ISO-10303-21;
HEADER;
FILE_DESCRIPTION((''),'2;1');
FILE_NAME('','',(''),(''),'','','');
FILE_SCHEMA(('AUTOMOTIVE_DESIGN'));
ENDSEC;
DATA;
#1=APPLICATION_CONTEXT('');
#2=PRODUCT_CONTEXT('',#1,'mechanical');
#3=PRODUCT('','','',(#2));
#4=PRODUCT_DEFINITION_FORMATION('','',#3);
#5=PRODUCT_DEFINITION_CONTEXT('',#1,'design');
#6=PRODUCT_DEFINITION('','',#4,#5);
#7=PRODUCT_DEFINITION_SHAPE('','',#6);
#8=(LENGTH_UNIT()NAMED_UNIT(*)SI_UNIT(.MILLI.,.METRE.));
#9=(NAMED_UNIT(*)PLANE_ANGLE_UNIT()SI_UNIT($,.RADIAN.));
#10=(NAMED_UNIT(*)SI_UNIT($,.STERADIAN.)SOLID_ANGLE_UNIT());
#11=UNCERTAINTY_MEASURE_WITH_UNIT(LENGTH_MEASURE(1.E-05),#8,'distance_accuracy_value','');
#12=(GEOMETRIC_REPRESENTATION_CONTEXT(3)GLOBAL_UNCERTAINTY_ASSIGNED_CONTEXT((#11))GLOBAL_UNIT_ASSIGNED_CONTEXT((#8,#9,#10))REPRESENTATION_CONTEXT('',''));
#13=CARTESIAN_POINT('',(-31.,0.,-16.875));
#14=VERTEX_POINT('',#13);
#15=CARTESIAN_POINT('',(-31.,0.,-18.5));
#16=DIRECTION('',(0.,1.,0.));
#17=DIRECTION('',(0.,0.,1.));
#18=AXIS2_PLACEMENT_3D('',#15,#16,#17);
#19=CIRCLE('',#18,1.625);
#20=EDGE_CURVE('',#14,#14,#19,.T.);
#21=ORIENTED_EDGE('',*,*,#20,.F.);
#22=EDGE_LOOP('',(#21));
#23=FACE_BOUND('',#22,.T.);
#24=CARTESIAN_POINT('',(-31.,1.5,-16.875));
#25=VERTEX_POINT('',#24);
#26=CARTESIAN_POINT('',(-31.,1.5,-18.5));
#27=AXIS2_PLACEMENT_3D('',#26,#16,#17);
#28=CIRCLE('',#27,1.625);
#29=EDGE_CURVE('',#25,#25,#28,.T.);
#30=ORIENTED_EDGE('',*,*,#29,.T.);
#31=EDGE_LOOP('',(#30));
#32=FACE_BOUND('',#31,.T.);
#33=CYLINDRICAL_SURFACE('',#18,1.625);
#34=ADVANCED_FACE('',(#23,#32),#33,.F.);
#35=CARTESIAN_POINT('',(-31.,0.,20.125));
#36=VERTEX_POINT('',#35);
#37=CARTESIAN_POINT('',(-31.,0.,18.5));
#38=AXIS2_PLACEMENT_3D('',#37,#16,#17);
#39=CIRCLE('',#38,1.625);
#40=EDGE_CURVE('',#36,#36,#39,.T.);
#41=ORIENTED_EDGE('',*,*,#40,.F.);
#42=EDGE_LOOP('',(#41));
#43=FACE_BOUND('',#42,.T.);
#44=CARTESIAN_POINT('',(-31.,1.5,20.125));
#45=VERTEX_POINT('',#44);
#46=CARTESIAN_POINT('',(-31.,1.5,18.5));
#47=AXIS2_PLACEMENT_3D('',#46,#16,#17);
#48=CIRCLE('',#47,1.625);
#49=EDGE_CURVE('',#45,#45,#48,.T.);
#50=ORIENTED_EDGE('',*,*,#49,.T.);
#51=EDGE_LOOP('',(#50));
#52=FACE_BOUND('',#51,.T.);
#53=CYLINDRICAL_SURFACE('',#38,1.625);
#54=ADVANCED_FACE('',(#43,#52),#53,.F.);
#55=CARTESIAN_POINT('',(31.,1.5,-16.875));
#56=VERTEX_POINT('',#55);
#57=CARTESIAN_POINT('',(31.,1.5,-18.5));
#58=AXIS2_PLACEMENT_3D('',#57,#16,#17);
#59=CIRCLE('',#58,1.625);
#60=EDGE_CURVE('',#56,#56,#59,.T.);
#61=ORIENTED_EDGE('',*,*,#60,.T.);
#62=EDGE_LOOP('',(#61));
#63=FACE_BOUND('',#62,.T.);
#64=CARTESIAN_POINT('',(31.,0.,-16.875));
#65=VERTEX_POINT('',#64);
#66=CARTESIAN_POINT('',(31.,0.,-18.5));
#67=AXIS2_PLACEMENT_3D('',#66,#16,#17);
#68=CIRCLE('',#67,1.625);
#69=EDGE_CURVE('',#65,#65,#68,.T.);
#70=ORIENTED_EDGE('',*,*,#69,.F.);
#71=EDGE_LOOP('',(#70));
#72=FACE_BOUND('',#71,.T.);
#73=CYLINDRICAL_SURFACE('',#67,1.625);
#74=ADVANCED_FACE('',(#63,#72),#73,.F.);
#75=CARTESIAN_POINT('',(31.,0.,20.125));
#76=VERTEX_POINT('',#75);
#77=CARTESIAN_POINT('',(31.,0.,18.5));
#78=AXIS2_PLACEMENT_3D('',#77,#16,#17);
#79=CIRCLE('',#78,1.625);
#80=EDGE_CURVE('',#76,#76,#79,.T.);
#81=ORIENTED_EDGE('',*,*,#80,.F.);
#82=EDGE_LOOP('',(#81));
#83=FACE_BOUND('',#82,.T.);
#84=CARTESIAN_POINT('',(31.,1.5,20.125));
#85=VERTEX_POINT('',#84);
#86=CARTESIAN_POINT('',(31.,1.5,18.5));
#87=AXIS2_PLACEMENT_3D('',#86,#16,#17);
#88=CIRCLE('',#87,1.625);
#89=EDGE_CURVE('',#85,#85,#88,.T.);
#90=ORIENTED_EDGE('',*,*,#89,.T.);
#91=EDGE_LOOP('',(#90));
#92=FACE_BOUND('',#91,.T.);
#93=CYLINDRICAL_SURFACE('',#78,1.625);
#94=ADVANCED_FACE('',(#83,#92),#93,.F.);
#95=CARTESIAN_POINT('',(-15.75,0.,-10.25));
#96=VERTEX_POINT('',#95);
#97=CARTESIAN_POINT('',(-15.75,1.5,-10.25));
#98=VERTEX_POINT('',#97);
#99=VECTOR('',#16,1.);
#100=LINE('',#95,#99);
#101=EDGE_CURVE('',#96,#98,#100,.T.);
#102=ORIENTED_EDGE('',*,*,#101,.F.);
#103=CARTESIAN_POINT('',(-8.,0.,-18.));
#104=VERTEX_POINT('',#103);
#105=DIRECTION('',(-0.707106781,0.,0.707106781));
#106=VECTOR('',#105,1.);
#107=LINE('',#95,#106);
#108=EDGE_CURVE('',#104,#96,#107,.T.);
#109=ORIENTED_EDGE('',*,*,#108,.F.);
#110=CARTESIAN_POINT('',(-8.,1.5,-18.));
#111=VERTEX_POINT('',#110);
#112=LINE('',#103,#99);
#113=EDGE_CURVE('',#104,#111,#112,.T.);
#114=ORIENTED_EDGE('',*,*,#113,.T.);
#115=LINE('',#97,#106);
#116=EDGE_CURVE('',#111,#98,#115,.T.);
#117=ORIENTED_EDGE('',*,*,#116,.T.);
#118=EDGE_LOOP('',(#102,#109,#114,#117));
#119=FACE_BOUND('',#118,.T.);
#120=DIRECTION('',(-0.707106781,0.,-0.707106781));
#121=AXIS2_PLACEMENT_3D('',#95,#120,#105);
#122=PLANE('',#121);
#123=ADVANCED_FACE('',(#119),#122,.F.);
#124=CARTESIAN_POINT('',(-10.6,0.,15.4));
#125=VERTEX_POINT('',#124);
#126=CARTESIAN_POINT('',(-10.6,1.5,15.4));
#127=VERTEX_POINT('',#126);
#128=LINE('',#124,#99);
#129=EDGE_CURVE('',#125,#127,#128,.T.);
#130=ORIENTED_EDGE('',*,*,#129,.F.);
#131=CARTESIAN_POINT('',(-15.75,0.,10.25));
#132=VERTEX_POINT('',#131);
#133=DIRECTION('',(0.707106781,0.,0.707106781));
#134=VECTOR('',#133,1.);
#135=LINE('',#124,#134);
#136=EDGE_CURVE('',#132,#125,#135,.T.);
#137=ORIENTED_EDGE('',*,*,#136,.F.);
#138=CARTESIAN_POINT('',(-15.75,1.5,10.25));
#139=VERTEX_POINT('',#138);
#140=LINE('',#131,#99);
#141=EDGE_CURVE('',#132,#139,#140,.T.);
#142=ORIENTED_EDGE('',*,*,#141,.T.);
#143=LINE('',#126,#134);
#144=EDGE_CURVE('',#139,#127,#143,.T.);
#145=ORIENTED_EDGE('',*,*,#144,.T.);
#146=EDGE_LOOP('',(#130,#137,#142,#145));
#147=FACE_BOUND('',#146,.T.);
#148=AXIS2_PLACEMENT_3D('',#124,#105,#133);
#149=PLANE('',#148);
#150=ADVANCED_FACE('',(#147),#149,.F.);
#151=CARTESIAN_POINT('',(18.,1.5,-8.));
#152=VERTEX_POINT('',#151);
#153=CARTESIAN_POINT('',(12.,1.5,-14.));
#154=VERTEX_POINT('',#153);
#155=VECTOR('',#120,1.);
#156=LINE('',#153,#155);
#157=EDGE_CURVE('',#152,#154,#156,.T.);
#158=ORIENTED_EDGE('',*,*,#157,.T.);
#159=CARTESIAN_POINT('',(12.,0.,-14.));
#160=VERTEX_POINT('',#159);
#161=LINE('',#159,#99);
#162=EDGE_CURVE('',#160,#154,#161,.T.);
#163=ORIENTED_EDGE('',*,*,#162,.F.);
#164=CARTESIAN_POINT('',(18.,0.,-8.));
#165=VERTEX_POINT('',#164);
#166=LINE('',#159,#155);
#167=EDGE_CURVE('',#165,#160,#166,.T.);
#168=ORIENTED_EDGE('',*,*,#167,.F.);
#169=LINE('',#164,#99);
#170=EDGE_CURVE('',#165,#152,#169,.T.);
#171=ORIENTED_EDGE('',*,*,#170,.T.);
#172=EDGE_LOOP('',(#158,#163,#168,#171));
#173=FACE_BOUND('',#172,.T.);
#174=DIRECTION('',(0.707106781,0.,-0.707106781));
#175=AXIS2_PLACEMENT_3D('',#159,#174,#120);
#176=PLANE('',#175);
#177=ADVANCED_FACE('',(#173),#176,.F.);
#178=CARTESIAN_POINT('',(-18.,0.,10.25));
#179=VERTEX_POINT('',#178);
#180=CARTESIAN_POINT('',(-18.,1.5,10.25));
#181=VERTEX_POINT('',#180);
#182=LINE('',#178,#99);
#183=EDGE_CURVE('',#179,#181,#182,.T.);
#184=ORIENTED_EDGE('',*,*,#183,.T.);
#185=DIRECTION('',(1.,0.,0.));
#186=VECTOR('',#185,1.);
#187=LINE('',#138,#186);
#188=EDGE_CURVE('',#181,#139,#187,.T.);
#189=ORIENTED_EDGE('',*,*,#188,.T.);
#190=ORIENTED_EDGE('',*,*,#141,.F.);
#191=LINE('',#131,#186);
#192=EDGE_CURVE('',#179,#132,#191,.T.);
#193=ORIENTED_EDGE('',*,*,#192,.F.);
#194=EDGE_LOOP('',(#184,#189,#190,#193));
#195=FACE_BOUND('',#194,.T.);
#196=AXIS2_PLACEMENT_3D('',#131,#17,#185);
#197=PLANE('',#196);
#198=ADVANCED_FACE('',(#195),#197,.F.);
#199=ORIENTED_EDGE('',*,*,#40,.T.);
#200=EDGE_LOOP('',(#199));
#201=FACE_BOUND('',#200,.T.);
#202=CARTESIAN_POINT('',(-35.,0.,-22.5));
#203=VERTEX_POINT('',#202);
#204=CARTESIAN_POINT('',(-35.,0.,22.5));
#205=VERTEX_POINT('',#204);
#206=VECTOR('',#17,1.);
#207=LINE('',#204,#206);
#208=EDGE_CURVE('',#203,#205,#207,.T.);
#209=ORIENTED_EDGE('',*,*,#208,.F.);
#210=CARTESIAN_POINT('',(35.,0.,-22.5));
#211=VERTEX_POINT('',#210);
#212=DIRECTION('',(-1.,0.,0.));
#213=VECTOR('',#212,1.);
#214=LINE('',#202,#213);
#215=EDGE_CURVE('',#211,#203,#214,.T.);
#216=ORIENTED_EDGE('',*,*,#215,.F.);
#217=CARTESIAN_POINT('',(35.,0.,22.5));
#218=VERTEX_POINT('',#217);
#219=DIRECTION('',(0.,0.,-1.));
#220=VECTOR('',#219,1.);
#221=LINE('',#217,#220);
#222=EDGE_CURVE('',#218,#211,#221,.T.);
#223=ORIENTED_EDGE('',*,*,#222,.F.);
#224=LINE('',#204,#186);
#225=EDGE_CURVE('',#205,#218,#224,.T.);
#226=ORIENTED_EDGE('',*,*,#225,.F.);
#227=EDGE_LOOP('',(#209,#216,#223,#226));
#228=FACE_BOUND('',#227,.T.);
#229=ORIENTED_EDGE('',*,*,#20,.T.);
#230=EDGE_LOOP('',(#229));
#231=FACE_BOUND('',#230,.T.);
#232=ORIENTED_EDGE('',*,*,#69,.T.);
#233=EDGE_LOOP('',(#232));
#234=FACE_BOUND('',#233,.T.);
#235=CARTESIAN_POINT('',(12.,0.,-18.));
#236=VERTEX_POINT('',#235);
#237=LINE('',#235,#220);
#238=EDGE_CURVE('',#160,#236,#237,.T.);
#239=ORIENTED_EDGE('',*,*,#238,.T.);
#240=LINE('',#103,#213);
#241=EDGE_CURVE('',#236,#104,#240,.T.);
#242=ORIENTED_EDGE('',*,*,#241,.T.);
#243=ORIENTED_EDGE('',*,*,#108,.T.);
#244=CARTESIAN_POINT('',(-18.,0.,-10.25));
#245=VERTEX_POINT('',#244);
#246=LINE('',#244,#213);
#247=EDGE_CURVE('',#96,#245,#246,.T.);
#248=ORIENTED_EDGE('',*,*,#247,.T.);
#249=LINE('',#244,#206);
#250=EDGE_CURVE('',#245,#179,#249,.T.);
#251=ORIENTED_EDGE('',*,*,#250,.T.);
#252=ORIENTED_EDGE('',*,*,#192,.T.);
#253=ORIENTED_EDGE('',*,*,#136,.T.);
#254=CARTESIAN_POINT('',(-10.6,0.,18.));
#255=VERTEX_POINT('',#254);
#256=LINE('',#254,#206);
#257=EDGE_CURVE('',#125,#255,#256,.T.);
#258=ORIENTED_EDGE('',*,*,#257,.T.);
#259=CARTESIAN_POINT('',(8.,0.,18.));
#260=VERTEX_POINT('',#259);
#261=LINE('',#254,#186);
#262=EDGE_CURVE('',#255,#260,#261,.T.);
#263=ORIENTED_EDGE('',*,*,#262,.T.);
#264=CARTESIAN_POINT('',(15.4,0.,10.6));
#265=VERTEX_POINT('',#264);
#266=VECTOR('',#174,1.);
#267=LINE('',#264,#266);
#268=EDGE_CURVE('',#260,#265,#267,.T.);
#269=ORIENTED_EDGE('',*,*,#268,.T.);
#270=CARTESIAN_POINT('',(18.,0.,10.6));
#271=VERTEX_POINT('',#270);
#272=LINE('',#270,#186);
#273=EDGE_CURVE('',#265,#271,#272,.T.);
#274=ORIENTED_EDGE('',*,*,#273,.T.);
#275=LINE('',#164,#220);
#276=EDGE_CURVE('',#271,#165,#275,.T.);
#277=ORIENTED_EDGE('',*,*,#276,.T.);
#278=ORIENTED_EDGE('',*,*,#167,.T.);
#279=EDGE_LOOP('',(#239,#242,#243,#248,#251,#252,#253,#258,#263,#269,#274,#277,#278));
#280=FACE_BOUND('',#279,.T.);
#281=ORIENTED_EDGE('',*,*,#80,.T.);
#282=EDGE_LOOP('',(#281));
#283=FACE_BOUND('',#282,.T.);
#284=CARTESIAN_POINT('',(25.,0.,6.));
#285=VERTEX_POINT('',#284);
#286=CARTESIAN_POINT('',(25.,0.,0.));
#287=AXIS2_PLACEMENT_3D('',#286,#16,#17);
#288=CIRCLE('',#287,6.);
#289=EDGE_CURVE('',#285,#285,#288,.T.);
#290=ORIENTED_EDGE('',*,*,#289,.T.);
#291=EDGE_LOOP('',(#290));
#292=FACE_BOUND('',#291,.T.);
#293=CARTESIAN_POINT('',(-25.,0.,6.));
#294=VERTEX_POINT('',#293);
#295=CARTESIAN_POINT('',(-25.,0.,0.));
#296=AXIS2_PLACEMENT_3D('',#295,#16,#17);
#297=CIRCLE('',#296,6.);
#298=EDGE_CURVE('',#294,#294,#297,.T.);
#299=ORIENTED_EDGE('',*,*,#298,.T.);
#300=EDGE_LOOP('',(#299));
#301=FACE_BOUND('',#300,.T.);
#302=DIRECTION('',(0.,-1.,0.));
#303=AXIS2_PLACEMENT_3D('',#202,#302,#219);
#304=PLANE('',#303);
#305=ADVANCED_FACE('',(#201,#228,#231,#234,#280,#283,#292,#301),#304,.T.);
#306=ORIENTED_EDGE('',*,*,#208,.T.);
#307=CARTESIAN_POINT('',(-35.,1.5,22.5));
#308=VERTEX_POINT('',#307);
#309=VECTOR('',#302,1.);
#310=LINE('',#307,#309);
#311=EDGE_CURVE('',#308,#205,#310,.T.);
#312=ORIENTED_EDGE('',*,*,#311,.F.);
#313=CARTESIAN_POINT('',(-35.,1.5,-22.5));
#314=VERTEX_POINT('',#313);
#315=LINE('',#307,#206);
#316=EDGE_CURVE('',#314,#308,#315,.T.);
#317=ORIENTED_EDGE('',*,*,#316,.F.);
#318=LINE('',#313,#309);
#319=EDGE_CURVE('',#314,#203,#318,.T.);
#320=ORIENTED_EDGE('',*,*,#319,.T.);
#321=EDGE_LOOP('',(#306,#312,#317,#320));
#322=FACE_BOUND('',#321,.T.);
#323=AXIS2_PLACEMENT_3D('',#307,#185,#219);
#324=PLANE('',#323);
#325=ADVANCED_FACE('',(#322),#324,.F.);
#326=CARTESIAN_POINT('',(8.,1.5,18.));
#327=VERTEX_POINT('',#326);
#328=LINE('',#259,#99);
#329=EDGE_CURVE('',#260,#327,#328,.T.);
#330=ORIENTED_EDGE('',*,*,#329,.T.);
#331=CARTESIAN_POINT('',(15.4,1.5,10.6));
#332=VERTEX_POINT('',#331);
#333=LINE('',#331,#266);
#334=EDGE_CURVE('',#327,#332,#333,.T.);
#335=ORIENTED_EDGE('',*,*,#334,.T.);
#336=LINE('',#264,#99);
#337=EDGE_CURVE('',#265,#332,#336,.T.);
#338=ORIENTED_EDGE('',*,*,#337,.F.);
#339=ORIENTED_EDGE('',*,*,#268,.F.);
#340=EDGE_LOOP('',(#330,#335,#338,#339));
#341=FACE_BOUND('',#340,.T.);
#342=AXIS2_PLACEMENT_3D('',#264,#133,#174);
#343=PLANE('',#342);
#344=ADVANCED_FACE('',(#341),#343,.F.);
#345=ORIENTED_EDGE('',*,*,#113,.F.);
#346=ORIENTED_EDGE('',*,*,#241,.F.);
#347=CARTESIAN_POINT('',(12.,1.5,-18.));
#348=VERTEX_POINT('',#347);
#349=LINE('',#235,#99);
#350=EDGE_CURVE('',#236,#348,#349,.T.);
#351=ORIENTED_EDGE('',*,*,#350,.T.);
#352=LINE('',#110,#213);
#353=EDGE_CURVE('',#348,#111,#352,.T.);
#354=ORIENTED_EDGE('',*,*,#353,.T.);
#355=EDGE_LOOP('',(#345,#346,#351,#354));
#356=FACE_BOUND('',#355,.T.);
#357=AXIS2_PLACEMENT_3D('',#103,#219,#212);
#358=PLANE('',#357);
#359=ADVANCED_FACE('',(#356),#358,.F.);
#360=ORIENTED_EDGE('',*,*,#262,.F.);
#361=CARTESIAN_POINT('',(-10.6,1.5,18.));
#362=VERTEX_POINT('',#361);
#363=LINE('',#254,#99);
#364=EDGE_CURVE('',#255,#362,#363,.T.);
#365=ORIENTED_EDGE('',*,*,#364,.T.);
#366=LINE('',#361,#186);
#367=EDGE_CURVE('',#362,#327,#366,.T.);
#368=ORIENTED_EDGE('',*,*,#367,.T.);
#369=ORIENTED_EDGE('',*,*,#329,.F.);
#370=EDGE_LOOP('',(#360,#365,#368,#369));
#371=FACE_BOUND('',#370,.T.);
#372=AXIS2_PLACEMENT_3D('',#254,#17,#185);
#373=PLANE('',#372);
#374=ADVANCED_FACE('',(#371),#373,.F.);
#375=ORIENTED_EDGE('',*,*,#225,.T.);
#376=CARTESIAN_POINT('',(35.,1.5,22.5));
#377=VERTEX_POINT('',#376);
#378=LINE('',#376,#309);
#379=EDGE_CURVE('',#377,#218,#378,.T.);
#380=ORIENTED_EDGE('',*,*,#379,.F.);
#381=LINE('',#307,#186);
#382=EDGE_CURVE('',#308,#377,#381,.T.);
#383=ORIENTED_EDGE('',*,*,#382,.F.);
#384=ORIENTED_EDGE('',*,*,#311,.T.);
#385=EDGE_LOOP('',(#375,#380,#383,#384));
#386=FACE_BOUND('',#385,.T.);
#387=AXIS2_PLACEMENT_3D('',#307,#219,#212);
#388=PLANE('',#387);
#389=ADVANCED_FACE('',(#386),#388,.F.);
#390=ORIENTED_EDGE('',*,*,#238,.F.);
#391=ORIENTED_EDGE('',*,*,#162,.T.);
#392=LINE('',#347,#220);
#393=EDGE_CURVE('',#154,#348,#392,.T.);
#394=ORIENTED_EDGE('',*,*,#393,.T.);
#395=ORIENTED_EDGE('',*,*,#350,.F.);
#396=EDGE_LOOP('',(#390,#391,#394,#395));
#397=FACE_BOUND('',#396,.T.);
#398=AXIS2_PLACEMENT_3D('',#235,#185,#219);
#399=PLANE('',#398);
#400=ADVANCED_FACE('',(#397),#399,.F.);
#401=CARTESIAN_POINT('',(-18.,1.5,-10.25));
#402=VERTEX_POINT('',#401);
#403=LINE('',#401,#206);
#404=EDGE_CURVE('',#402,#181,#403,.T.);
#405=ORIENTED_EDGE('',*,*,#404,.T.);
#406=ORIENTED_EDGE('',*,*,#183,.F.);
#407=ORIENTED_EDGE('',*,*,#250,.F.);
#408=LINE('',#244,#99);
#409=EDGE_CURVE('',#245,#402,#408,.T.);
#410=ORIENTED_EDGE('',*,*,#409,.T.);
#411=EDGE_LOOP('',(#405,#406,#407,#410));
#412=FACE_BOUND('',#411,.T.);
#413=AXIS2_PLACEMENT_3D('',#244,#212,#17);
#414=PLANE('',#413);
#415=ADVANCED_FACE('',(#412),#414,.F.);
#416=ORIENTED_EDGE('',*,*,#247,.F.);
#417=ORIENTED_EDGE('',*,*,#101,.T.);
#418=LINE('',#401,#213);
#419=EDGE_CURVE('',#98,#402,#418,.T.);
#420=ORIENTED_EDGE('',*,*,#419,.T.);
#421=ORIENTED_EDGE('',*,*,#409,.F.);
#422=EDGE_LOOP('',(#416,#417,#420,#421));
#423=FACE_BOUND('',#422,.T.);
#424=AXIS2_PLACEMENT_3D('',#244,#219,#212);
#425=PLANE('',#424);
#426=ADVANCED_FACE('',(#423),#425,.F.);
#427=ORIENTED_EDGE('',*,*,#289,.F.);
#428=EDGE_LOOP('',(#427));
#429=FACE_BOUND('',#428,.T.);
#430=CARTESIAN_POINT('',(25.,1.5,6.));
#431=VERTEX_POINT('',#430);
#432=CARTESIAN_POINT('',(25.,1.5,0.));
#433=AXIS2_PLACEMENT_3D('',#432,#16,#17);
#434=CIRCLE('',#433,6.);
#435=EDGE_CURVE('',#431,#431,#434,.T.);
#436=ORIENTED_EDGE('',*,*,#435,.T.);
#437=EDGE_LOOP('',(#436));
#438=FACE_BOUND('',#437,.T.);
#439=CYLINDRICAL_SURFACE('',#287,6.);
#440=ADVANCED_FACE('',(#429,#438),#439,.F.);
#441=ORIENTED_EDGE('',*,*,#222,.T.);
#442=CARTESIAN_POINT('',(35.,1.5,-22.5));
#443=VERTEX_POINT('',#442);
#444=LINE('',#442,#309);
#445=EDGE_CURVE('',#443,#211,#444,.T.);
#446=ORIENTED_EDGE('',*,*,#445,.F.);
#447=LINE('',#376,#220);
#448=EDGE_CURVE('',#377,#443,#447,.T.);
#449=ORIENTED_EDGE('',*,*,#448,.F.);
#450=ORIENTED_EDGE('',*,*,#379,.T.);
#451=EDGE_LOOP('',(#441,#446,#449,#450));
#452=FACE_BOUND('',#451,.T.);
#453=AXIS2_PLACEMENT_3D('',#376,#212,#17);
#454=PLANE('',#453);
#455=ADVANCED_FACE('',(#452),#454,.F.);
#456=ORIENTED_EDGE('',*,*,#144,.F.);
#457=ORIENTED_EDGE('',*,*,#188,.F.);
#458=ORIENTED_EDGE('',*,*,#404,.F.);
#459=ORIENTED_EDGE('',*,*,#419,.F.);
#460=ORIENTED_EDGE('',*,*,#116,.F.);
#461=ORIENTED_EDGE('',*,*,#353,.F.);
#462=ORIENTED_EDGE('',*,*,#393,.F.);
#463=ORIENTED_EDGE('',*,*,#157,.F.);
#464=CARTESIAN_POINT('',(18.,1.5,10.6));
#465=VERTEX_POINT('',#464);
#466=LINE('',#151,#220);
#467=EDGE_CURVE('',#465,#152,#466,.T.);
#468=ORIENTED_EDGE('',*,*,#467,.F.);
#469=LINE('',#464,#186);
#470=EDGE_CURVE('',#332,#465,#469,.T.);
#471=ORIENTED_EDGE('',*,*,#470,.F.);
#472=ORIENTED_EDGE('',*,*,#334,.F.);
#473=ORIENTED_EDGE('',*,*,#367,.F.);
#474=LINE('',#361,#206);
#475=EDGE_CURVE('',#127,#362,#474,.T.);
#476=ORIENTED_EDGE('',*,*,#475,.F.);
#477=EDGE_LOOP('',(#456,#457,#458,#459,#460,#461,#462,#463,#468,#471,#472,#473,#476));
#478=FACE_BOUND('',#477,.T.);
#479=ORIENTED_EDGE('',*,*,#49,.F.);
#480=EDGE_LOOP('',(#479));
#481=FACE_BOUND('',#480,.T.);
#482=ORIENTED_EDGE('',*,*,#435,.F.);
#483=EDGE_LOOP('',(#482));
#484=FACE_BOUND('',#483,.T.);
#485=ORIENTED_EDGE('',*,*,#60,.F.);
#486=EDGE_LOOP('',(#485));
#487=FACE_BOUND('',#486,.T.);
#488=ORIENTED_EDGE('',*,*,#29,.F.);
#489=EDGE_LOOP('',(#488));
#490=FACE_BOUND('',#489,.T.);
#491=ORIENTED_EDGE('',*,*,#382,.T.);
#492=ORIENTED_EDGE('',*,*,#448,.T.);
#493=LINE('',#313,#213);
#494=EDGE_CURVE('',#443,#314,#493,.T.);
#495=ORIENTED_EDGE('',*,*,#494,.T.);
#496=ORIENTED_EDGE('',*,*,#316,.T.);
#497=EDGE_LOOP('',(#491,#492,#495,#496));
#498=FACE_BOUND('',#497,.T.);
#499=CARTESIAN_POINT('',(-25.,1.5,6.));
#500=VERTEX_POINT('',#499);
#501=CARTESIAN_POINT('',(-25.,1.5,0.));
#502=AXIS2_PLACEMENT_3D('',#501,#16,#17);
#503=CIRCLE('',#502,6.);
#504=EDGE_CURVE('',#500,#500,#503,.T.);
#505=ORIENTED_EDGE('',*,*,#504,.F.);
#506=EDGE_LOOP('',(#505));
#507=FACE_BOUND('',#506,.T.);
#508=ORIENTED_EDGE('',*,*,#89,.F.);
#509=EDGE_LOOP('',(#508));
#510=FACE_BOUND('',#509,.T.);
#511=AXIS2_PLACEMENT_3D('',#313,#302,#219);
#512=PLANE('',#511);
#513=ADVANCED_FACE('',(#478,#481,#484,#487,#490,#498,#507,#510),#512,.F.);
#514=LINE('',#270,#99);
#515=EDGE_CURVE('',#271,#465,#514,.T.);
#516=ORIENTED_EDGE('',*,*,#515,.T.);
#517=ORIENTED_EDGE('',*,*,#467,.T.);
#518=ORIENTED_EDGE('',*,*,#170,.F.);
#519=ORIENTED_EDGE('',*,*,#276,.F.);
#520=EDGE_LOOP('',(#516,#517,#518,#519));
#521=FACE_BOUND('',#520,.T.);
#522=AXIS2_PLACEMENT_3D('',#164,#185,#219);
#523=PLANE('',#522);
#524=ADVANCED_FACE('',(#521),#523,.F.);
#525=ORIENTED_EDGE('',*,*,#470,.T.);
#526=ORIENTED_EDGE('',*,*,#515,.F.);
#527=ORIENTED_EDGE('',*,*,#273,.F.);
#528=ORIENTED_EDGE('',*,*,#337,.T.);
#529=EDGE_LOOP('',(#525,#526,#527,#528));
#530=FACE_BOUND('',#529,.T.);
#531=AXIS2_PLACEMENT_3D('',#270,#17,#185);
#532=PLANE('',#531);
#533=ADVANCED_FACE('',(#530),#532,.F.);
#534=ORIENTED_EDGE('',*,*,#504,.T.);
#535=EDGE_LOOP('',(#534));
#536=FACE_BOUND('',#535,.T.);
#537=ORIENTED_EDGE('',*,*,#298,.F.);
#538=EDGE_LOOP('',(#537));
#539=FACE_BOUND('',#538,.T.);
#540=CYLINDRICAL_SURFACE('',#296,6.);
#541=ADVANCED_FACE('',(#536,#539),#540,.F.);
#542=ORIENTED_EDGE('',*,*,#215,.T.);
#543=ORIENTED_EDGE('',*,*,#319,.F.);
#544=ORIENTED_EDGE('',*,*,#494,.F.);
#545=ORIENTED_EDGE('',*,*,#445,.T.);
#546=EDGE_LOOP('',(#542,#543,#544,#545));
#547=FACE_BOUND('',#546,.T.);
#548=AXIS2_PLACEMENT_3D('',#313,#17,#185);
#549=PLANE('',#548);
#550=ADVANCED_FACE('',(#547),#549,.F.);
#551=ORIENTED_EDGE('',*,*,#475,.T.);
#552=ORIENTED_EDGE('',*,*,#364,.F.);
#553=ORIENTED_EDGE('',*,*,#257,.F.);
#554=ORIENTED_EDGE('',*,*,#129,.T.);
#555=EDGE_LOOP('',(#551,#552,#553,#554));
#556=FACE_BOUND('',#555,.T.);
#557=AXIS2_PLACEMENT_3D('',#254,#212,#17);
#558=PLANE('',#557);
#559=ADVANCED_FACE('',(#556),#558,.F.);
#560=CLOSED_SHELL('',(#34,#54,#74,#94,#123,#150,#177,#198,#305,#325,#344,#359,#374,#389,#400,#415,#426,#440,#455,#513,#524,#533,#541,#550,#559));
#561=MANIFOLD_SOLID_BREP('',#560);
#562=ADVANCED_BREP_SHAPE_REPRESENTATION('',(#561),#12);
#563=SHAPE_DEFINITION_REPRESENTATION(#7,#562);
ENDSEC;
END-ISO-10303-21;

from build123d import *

# Parameters (mm, degrees)
SKETCH2_W           = 70
SKETCH2_H           = 45
BOSS_EXTRUDE1_DEPTH = 1.5
SKETCH3_R           = 1.625
SKETCH3_R_2         = 6
CUT_EXTRUDE1_DEPTH  = 2.5
CUT_EXTRUDE2_DEPTH  = 2.5


with BuildPart() as part:
    # Sketch2 → Boss-Extrude1 (new body)
    with BuildSketch(Plane(origin=(0, 0, 0), x_dir=(1, 0, 0), z_dir=(0, 1, 0))):
        Rectangle(SKETCH2_W, SKETCH2_H)
    extrude(amount=BOSS_EXTRUDE1_DEPTH)

    # Sketch3 → Cut-Extrude1 (cut, through all)
    with BuildSketch(Plane(origin=(0, 1.5, 0), x_dir=(1, 0, 0), z_dir=(0, 1, 0))):
        with Locations((-31, -18.5)):
            Circle(SKETCH3_R)
        with Locations((-31, 18.5)):
            Circle(SKETCH3_R)
        with Locations((31, 18.5)):
            Circle(SKETCH3_R)
        with Locations((31, -18.5)):
            Circle(SKETCH3_R)
        with Locations((-25, 0)):
            Circle(SKETCH3_R_2)
        with Locations((25, 0)):
            Circle(SKETCH3_R_2)
    extrude(amount=-CUT_EXTRUDE1_DEPTH, mode=Mode.SUBTRACT)

    # Sketch4 → Cut-Extrude2 (cut, through all)
    with BuildSketch(Plane(origin=(0, 1.5, 0), x_dir=(1, 0, 0), z_dir=(0, 1, 0))):
        Polygon((-10.6, -18), (-10.6, -15.4), (-15.75, -10.25), (-18, -10.25), (-18, 10.25), (-15.75, 10.25), (-8, 18), (12, 18), (12, 14), (18, 8), (18, -10.6), (15.4, -10.6), (8, -18), align=None)
    extrude(amount=-CUT_EXTRUDE2_DEPTH, mode=Mode.SUBTRACT)


solid = part.part
